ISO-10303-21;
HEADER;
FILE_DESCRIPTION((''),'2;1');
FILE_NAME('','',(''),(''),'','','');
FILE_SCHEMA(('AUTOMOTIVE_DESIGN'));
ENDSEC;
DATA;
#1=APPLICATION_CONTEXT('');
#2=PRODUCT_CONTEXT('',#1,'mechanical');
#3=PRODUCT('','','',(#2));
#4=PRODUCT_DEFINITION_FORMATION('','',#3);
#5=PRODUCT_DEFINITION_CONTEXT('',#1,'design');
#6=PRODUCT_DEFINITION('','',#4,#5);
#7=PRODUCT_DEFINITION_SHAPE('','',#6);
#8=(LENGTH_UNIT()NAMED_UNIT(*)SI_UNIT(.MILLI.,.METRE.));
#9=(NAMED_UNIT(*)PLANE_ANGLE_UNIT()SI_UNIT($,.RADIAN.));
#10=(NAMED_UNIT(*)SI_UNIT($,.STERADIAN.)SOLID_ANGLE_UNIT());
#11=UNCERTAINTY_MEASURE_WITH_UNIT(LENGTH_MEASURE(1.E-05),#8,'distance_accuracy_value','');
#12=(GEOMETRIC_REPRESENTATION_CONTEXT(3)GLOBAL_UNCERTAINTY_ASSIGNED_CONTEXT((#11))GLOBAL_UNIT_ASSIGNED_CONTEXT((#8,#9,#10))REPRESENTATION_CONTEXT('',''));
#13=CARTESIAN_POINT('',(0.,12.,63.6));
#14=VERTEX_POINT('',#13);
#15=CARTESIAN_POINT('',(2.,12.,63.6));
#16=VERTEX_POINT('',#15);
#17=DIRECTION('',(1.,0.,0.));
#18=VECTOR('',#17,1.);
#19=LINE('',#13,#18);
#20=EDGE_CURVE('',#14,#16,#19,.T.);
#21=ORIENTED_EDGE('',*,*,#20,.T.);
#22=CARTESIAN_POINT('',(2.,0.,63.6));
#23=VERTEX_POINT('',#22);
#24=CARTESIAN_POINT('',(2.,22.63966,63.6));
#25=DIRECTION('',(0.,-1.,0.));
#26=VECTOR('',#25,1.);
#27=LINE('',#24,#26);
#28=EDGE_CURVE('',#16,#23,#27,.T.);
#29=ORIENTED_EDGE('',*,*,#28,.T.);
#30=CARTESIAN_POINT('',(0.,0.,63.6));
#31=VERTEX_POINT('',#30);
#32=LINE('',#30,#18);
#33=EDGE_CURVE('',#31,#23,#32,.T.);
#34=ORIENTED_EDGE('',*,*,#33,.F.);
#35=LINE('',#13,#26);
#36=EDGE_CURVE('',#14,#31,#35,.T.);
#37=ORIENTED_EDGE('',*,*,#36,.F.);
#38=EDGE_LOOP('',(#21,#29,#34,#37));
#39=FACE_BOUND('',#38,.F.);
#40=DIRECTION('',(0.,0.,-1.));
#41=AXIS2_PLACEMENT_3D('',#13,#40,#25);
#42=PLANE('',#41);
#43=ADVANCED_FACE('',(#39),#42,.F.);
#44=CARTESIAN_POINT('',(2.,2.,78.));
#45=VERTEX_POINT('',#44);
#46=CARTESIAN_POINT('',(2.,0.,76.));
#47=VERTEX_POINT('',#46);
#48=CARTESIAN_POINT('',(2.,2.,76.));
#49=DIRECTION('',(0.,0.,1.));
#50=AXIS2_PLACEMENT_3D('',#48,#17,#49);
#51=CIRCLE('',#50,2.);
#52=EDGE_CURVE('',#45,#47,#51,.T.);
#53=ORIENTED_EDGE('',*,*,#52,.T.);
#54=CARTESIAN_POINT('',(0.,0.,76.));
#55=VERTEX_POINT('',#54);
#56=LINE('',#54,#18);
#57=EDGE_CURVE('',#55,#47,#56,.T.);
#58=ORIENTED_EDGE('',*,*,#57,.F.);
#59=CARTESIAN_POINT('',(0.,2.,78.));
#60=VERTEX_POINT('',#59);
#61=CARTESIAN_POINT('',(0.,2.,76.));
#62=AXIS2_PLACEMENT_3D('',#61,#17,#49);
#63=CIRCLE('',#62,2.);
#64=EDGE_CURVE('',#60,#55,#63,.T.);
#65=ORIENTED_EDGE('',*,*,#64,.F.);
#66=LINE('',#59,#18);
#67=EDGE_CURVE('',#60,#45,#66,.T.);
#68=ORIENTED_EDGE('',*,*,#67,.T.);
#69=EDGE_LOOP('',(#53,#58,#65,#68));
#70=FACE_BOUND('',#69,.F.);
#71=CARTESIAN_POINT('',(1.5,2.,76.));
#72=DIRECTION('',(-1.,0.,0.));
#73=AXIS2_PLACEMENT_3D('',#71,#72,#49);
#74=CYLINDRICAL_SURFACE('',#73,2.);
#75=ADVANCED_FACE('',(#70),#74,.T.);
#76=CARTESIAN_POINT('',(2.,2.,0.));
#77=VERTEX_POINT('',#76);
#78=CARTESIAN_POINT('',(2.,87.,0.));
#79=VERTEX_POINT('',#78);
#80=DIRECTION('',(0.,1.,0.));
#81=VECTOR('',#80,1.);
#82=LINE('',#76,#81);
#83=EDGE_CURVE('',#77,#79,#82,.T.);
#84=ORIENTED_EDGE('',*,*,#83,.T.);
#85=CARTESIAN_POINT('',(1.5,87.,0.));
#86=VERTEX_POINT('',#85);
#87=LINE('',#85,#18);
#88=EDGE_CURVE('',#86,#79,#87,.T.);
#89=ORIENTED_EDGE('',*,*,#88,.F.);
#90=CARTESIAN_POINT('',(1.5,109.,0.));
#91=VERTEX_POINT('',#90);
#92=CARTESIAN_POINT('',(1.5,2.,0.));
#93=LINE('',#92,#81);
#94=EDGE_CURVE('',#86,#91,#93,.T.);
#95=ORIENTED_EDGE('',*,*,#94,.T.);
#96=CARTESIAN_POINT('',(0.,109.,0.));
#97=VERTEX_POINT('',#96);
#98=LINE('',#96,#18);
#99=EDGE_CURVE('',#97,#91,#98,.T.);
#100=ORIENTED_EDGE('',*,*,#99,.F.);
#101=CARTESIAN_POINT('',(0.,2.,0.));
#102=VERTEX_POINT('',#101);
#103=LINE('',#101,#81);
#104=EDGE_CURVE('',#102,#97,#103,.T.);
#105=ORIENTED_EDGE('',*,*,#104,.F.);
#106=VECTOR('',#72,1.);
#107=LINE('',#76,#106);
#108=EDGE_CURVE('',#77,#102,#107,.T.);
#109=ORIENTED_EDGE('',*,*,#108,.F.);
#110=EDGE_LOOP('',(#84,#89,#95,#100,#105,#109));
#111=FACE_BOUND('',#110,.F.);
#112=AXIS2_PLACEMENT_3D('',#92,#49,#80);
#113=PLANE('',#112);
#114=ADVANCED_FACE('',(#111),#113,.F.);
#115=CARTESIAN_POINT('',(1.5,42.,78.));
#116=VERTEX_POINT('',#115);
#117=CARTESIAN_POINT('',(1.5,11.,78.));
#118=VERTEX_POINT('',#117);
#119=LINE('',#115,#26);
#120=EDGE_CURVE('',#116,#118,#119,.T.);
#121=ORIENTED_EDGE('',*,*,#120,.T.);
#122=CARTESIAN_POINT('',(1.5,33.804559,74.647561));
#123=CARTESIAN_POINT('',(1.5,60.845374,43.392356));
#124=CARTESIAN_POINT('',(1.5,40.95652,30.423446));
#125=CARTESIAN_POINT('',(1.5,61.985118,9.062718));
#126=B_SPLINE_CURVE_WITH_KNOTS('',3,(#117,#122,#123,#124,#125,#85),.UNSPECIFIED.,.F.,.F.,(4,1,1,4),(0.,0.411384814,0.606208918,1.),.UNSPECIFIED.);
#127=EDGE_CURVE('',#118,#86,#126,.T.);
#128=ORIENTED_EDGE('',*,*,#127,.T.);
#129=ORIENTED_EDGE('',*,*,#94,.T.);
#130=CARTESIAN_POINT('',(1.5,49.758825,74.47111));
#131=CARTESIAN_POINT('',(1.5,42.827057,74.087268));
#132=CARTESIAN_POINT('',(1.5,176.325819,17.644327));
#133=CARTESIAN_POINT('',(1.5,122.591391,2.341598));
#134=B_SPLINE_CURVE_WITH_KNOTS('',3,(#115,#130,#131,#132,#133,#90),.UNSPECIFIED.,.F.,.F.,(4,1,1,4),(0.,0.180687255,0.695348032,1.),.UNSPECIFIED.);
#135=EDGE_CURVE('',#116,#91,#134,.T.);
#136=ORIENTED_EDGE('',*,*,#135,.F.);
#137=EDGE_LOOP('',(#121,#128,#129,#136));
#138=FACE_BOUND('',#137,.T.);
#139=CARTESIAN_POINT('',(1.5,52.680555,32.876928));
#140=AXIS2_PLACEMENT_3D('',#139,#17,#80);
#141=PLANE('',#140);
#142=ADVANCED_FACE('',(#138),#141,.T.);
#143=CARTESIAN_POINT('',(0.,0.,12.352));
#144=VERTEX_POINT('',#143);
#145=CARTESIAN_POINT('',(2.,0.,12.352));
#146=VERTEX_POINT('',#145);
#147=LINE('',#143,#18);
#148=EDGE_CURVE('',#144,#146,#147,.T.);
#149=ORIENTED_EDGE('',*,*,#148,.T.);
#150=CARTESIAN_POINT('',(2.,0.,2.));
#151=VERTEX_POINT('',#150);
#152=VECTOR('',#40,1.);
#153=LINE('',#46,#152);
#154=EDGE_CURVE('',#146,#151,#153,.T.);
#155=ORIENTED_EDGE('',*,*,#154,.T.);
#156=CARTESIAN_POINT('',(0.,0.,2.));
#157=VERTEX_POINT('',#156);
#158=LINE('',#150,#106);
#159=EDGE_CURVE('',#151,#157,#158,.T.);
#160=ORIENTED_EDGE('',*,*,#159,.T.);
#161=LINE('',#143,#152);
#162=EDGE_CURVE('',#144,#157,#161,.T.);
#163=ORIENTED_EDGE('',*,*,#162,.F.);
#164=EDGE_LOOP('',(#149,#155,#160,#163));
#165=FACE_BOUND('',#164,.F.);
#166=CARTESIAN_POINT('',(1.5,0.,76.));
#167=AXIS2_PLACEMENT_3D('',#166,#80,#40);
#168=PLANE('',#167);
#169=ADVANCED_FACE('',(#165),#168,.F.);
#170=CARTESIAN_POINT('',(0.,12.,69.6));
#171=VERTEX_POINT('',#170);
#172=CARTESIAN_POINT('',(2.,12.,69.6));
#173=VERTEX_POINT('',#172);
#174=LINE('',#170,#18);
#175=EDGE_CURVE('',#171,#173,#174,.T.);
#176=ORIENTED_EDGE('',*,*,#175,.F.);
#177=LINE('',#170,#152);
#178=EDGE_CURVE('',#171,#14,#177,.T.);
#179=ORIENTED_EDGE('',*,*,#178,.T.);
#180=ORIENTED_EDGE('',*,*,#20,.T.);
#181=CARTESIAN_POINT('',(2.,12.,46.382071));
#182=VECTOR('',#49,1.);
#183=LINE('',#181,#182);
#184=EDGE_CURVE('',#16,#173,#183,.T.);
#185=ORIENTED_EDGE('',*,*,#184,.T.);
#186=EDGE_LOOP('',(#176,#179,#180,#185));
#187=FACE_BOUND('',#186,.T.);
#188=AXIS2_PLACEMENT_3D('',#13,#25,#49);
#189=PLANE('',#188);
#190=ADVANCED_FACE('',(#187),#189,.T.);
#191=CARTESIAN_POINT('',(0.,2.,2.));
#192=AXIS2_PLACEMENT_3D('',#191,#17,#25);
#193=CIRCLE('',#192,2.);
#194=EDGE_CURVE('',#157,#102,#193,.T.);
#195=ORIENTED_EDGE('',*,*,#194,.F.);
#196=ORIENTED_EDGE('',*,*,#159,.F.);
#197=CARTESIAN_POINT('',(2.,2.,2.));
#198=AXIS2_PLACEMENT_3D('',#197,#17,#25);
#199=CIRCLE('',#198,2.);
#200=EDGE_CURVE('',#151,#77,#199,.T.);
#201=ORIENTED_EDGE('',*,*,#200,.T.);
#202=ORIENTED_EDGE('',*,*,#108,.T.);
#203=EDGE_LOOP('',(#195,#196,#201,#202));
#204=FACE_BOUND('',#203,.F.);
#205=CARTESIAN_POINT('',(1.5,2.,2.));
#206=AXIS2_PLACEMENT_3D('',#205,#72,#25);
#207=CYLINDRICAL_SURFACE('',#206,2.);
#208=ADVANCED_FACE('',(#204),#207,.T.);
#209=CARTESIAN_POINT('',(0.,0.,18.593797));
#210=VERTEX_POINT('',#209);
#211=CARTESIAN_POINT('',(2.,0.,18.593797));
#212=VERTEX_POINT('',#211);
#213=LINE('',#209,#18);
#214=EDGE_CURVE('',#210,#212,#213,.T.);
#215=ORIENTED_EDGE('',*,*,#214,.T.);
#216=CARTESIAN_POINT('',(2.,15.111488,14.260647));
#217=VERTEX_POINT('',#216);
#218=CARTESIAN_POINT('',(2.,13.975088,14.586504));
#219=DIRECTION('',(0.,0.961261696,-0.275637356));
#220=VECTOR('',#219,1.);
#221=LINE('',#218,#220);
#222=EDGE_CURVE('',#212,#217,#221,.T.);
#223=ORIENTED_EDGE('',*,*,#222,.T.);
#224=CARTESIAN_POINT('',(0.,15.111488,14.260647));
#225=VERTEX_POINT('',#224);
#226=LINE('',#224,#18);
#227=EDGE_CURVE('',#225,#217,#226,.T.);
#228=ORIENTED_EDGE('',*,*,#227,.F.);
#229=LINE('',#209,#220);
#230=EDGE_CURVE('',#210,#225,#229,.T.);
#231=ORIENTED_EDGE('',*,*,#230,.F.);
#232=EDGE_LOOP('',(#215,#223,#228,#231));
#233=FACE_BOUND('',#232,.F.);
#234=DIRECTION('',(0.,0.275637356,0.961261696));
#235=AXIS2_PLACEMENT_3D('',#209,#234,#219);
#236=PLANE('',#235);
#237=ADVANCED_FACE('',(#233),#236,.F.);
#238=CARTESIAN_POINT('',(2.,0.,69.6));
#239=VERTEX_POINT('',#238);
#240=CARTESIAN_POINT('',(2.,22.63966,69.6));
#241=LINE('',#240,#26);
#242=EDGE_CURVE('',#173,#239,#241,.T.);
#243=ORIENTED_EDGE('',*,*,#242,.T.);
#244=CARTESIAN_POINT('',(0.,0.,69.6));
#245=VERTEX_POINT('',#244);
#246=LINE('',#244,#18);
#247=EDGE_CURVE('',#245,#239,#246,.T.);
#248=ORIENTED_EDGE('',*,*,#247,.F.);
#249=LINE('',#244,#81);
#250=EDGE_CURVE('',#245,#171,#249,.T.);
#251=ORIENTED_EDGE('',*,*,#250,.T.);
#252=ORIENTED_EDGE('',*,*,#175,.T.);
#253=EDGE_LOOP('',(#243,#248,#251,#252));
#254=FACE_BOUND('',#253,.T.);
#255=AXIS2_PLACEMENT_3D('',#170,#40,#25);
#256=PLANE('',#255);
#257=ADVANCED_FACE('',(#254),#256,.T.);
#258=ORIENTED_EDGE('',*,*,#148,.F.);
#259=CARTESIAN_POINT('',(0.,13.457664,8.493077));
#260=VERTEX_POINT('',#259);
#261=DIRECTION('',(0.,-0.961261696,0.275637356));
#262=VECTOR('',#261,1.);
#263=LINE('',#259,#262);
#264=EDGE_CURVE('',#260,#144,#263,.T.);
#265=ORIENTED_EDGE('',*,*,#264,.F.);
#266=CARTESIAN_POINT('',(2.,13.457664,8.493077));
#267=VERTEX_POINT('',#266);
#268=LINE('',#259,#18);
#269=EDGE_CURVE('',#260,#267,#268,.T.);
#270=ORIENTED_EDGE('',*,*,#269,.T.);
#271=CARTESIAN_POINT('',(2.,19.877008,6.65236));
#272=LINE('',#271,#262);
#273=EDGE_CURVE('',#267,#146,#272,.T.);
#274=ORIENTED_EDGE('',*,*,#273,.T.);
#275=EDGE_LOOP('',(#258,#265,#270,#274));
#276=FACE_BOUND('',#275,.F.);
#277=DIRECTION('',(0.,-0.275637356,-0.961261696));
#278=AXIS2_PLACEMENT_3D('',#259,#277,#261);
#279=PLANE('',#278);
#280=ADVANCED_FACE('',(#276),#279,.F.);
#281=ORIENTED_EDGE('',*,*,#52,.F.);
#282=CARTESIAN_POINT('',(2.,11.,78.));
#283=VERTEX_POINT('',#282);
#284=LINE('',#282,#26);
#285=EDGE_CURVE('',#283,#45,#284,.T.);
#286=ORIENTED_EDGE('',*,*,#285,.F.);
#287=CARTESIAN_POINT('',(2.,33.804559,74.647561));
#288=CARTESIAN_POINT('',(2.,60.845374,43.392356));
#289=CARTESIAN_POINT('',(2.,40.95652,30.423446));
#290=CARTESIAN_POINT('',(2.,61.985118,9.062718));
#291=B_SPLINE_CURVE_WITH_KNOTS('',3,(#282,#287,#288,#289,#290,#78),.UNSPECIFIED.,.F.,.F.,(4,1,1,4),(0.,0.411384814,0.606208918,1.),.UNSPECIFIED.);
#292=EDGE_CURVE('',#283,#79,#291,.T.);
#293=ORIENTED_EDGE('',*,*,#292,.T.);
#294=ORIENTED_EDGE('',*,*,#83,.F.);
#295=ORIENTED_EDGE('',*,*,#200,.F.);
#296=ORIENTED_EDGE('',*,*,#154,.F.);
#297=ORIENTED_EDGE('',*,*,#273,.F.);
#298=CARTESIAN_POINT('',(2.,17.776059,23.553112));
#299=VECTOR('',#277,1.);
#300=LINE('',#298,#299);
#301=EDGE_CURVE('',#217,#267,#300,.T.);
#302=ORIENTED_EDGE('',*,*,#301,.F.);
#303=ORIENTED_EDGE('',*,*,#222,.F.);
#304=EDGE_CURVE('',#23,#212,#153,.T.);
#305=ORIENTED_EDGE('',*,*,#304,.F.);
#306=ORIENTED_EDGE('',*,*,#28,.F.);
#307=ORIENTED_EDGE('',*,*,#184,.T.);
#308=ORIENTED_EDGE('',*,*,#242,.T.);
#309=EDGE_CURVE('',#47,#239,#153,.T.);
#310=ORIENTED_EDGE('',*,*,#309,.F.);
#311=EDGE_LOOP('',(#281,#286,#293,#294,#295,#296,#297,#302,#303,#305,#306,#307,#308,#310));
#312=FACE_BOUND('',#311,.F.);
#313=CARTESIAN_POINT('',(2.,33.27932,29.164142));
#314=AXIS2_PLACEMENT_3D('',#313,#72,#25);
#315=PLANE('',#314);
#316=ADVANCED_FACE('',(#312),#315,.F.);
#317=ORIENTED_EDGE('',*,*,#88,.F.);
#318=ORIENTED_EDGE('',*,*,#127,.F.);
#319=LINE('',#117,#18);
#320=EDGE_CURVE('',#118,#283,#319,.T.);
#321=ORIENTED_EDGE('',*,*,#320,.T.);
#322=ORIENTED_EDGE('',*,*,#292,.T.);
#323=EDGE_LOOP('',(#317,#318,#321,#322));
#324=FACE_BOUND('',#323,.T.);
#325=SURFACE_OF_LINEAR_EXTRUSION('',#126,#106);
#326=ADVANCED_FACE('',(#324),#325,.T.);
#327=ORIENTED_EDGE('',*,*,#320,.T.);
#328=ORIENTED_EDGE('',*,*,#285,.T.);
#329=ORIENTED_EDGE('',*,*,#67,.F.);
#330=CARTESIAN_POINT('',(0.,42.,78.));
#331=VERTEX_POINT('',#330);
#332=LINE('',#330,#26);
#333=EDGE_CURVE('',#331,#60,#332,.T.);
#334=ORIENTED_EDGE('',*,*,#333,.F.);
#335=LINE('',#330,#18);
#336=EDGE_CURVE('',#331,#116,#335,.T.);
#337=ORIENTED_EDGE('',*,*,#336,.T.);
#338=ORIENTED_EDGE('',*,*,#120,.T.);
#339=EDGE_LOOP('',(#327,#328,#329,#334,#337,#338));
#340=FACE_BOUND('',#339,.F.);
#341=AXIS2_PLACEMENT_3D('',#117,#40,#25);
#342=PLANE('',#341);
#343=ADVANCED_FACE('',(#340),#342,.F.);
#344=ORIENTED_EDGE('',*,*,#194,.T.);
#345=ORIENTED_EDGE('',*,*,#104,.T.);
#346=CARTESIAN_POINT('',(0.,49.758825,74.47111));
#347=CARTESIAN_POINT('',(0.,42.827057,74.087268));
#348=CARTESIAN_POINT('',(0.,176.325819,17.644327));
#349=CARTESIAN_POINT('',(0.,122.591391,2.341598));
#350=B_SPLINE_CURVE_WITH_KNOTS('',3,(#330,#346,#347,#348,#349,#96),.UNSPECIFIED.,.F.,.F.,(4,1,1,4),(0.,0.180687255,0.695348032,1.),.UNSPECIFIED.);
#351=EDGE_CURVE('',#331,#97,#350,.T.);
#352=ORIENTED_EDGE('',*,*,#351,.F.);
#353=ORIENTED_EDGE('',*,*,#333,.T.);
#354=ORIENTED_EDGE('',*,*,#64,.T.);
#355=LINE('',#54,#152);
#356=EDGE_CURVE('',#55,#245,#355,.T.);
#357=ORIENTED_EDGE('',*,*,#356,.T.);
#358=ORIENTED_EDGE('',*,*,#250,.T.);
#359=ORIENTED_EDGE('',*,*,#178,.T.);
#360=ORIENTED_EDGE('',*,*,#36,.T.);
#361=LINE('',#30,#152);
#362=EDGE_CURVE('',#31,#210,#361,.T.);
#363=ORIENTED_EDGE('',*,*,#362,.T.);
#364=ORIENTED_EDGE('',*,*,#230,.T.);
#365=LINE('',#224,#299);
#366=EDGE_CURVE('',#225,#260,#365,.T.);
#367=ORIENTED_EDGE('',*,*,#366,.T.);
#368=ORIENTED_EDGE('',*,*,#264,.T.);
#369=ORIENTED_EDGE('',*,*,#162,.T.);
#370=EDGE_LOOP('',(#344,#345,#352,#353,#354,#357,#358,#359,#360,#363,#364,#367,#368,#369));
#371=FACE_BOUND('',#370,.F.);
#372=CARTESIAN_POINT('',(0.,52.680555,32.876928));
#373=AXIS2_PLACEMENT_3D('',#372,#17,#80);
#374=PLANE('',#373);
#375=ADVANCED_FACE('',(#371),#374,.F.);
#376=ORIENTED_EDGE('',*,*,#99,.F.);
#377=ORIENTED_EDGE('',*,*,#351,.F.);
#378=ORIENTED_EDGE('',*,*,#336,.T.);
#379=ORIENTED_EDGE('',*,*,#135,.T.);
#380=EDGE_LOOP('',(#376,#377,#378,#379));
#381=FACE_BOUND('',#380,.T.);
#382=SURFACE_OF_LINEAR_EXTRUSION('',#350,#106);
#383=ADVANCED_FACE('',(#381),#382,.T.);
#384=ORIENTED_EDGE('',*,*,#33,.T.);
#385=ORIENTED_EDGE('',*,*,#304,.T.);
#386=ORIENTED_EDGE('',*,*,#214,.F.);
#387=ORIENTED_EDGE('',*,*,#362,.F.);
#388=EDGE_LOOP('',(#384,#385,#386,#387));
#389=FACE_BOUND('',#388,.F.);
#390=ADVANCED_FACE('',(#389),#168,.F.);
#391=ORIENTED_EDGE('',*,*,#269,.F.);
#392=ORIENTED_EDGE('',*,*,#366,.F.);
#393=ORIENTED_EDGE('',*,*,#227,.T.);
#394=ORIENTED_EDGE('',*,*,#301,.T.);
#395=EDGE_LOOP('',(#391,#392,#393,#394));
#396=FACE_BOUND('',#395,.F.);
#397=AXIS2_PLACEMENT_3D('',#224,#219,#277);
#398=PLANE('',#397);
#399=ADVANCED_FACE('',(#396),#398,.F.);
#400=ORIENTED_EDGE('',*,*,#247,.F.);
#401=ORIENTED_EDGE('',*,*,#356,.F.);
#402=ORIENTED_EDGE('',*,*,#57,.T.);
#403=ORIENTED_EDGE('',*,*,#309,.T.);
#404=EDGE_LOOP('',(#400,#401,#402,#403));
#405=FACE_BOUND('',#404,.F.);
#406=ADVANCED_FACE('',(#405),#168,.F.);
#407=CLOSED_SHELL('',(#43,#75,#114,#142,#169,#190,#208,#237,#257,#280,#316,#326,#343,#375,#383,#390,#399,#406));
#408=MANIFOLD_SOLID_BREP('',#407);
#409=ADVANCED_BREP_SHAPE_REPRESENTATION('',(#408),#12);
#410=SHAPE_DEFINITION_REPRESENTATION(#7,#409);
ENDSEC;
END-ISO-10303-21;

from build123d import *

# Parameters (mm, degrees)
F1_DEPTH = 1.5
F4_DEPTH = 0.5
F5_W     = 12
F5_H     = 6
F6_DEPTH = 25


with BuildPart() as f1:
    # F0 (on Right) → F1 (new body)
    with BuildSketch(Plane.YZ):
        with BuildLine():
            Line((42, 78), (2, 78))
            ThreePointArc((2, 78), (0.5857864376, 77.4142135624), (0, 76))
            Line((0, 76), (0, 69.6))
            Line((0, 69.6), (12, 69.6))
            Line((12, 69.6), (12, 63.6))
            Line((12, 63.6), (0, 63.6))
            Line((0, 63.6), (0, 18.5937966152))
            Line((0, 18.5937966152), (15.111487878, 14.2606471942))
            Line((15.111487878, 14.2606471942), (13.4576637431, 8.4930770186))
            Line((13.4576637431, 8.4930770186), (0, 12.352))
            Line((0, 12.352), (0, 2))
            ThreePointArc((0, 2), (0.5857864376, 0.5857864376), (2, 0))
            Line((2, 0), (109, 0))
            add(Edge.make_bspline(
                [(42, 78), (49.7588251107, 74.4711096647), (42.8270565854, 74.0872679271), (176.3258193003, 17.6443266752), (122.5913906271, 2.3415980892), (109, 0)],
                knots=[0, 0, 0, 0, 0.1806872551, 0.6953480319, 1, 1, 1, 1], degree=3))
        make_face()
    extrude(amount=F1_DEPTH)

    # F3 (on face) → F4 (join)
    with BuildSketch(Plane.YZ.offset(1.5)):
        with BuildLine():
            add(Edge.make_bspline(
                [(11, 78), (33.8045589941, 74.6475609926), (60.8453739258, 43.3923563223), (40.9565199131, 30.4234463117), (61.9851178247, 9.0627176212), (87, 0)],
                knots=[0, 0, 0, 0, 0.4113848141, 0.6062089181, 1, 1, 1, 1], degree=3))
            Line((11, 78), (2, 78))
            ThreePointArc((2, 78), (0.5857864376, 77.4142135624), (0, 76))
            Line((0, 76), (0, 2))
            ThreePointArc((0, 2), (0.5857864376, 0.5857864376), (2, 0))
            Line((2, 0), (87, 0))
        make_face()
    extrude(amount=F4_DEPTH)

    # F5 (on face) → F6 (cut)
    with BuildSketch(Plane(origin=(0, 0, 0), x_dir=(0, -1, 0), z_dir=(-1, 0, 0))):
        with Locations((-6, 66.6)):
            Rectangle(F5_W, F5_H)
        Polygon((0, 12.352), (0, 18.5937966152), (-15.111487878, 14.2606471942), (-13.4576637431, 8.4930770186), align=None)
    extrude(amount=-F6_DEPTH, mode=Mode.SUBTRACT)


solid = f1.part
